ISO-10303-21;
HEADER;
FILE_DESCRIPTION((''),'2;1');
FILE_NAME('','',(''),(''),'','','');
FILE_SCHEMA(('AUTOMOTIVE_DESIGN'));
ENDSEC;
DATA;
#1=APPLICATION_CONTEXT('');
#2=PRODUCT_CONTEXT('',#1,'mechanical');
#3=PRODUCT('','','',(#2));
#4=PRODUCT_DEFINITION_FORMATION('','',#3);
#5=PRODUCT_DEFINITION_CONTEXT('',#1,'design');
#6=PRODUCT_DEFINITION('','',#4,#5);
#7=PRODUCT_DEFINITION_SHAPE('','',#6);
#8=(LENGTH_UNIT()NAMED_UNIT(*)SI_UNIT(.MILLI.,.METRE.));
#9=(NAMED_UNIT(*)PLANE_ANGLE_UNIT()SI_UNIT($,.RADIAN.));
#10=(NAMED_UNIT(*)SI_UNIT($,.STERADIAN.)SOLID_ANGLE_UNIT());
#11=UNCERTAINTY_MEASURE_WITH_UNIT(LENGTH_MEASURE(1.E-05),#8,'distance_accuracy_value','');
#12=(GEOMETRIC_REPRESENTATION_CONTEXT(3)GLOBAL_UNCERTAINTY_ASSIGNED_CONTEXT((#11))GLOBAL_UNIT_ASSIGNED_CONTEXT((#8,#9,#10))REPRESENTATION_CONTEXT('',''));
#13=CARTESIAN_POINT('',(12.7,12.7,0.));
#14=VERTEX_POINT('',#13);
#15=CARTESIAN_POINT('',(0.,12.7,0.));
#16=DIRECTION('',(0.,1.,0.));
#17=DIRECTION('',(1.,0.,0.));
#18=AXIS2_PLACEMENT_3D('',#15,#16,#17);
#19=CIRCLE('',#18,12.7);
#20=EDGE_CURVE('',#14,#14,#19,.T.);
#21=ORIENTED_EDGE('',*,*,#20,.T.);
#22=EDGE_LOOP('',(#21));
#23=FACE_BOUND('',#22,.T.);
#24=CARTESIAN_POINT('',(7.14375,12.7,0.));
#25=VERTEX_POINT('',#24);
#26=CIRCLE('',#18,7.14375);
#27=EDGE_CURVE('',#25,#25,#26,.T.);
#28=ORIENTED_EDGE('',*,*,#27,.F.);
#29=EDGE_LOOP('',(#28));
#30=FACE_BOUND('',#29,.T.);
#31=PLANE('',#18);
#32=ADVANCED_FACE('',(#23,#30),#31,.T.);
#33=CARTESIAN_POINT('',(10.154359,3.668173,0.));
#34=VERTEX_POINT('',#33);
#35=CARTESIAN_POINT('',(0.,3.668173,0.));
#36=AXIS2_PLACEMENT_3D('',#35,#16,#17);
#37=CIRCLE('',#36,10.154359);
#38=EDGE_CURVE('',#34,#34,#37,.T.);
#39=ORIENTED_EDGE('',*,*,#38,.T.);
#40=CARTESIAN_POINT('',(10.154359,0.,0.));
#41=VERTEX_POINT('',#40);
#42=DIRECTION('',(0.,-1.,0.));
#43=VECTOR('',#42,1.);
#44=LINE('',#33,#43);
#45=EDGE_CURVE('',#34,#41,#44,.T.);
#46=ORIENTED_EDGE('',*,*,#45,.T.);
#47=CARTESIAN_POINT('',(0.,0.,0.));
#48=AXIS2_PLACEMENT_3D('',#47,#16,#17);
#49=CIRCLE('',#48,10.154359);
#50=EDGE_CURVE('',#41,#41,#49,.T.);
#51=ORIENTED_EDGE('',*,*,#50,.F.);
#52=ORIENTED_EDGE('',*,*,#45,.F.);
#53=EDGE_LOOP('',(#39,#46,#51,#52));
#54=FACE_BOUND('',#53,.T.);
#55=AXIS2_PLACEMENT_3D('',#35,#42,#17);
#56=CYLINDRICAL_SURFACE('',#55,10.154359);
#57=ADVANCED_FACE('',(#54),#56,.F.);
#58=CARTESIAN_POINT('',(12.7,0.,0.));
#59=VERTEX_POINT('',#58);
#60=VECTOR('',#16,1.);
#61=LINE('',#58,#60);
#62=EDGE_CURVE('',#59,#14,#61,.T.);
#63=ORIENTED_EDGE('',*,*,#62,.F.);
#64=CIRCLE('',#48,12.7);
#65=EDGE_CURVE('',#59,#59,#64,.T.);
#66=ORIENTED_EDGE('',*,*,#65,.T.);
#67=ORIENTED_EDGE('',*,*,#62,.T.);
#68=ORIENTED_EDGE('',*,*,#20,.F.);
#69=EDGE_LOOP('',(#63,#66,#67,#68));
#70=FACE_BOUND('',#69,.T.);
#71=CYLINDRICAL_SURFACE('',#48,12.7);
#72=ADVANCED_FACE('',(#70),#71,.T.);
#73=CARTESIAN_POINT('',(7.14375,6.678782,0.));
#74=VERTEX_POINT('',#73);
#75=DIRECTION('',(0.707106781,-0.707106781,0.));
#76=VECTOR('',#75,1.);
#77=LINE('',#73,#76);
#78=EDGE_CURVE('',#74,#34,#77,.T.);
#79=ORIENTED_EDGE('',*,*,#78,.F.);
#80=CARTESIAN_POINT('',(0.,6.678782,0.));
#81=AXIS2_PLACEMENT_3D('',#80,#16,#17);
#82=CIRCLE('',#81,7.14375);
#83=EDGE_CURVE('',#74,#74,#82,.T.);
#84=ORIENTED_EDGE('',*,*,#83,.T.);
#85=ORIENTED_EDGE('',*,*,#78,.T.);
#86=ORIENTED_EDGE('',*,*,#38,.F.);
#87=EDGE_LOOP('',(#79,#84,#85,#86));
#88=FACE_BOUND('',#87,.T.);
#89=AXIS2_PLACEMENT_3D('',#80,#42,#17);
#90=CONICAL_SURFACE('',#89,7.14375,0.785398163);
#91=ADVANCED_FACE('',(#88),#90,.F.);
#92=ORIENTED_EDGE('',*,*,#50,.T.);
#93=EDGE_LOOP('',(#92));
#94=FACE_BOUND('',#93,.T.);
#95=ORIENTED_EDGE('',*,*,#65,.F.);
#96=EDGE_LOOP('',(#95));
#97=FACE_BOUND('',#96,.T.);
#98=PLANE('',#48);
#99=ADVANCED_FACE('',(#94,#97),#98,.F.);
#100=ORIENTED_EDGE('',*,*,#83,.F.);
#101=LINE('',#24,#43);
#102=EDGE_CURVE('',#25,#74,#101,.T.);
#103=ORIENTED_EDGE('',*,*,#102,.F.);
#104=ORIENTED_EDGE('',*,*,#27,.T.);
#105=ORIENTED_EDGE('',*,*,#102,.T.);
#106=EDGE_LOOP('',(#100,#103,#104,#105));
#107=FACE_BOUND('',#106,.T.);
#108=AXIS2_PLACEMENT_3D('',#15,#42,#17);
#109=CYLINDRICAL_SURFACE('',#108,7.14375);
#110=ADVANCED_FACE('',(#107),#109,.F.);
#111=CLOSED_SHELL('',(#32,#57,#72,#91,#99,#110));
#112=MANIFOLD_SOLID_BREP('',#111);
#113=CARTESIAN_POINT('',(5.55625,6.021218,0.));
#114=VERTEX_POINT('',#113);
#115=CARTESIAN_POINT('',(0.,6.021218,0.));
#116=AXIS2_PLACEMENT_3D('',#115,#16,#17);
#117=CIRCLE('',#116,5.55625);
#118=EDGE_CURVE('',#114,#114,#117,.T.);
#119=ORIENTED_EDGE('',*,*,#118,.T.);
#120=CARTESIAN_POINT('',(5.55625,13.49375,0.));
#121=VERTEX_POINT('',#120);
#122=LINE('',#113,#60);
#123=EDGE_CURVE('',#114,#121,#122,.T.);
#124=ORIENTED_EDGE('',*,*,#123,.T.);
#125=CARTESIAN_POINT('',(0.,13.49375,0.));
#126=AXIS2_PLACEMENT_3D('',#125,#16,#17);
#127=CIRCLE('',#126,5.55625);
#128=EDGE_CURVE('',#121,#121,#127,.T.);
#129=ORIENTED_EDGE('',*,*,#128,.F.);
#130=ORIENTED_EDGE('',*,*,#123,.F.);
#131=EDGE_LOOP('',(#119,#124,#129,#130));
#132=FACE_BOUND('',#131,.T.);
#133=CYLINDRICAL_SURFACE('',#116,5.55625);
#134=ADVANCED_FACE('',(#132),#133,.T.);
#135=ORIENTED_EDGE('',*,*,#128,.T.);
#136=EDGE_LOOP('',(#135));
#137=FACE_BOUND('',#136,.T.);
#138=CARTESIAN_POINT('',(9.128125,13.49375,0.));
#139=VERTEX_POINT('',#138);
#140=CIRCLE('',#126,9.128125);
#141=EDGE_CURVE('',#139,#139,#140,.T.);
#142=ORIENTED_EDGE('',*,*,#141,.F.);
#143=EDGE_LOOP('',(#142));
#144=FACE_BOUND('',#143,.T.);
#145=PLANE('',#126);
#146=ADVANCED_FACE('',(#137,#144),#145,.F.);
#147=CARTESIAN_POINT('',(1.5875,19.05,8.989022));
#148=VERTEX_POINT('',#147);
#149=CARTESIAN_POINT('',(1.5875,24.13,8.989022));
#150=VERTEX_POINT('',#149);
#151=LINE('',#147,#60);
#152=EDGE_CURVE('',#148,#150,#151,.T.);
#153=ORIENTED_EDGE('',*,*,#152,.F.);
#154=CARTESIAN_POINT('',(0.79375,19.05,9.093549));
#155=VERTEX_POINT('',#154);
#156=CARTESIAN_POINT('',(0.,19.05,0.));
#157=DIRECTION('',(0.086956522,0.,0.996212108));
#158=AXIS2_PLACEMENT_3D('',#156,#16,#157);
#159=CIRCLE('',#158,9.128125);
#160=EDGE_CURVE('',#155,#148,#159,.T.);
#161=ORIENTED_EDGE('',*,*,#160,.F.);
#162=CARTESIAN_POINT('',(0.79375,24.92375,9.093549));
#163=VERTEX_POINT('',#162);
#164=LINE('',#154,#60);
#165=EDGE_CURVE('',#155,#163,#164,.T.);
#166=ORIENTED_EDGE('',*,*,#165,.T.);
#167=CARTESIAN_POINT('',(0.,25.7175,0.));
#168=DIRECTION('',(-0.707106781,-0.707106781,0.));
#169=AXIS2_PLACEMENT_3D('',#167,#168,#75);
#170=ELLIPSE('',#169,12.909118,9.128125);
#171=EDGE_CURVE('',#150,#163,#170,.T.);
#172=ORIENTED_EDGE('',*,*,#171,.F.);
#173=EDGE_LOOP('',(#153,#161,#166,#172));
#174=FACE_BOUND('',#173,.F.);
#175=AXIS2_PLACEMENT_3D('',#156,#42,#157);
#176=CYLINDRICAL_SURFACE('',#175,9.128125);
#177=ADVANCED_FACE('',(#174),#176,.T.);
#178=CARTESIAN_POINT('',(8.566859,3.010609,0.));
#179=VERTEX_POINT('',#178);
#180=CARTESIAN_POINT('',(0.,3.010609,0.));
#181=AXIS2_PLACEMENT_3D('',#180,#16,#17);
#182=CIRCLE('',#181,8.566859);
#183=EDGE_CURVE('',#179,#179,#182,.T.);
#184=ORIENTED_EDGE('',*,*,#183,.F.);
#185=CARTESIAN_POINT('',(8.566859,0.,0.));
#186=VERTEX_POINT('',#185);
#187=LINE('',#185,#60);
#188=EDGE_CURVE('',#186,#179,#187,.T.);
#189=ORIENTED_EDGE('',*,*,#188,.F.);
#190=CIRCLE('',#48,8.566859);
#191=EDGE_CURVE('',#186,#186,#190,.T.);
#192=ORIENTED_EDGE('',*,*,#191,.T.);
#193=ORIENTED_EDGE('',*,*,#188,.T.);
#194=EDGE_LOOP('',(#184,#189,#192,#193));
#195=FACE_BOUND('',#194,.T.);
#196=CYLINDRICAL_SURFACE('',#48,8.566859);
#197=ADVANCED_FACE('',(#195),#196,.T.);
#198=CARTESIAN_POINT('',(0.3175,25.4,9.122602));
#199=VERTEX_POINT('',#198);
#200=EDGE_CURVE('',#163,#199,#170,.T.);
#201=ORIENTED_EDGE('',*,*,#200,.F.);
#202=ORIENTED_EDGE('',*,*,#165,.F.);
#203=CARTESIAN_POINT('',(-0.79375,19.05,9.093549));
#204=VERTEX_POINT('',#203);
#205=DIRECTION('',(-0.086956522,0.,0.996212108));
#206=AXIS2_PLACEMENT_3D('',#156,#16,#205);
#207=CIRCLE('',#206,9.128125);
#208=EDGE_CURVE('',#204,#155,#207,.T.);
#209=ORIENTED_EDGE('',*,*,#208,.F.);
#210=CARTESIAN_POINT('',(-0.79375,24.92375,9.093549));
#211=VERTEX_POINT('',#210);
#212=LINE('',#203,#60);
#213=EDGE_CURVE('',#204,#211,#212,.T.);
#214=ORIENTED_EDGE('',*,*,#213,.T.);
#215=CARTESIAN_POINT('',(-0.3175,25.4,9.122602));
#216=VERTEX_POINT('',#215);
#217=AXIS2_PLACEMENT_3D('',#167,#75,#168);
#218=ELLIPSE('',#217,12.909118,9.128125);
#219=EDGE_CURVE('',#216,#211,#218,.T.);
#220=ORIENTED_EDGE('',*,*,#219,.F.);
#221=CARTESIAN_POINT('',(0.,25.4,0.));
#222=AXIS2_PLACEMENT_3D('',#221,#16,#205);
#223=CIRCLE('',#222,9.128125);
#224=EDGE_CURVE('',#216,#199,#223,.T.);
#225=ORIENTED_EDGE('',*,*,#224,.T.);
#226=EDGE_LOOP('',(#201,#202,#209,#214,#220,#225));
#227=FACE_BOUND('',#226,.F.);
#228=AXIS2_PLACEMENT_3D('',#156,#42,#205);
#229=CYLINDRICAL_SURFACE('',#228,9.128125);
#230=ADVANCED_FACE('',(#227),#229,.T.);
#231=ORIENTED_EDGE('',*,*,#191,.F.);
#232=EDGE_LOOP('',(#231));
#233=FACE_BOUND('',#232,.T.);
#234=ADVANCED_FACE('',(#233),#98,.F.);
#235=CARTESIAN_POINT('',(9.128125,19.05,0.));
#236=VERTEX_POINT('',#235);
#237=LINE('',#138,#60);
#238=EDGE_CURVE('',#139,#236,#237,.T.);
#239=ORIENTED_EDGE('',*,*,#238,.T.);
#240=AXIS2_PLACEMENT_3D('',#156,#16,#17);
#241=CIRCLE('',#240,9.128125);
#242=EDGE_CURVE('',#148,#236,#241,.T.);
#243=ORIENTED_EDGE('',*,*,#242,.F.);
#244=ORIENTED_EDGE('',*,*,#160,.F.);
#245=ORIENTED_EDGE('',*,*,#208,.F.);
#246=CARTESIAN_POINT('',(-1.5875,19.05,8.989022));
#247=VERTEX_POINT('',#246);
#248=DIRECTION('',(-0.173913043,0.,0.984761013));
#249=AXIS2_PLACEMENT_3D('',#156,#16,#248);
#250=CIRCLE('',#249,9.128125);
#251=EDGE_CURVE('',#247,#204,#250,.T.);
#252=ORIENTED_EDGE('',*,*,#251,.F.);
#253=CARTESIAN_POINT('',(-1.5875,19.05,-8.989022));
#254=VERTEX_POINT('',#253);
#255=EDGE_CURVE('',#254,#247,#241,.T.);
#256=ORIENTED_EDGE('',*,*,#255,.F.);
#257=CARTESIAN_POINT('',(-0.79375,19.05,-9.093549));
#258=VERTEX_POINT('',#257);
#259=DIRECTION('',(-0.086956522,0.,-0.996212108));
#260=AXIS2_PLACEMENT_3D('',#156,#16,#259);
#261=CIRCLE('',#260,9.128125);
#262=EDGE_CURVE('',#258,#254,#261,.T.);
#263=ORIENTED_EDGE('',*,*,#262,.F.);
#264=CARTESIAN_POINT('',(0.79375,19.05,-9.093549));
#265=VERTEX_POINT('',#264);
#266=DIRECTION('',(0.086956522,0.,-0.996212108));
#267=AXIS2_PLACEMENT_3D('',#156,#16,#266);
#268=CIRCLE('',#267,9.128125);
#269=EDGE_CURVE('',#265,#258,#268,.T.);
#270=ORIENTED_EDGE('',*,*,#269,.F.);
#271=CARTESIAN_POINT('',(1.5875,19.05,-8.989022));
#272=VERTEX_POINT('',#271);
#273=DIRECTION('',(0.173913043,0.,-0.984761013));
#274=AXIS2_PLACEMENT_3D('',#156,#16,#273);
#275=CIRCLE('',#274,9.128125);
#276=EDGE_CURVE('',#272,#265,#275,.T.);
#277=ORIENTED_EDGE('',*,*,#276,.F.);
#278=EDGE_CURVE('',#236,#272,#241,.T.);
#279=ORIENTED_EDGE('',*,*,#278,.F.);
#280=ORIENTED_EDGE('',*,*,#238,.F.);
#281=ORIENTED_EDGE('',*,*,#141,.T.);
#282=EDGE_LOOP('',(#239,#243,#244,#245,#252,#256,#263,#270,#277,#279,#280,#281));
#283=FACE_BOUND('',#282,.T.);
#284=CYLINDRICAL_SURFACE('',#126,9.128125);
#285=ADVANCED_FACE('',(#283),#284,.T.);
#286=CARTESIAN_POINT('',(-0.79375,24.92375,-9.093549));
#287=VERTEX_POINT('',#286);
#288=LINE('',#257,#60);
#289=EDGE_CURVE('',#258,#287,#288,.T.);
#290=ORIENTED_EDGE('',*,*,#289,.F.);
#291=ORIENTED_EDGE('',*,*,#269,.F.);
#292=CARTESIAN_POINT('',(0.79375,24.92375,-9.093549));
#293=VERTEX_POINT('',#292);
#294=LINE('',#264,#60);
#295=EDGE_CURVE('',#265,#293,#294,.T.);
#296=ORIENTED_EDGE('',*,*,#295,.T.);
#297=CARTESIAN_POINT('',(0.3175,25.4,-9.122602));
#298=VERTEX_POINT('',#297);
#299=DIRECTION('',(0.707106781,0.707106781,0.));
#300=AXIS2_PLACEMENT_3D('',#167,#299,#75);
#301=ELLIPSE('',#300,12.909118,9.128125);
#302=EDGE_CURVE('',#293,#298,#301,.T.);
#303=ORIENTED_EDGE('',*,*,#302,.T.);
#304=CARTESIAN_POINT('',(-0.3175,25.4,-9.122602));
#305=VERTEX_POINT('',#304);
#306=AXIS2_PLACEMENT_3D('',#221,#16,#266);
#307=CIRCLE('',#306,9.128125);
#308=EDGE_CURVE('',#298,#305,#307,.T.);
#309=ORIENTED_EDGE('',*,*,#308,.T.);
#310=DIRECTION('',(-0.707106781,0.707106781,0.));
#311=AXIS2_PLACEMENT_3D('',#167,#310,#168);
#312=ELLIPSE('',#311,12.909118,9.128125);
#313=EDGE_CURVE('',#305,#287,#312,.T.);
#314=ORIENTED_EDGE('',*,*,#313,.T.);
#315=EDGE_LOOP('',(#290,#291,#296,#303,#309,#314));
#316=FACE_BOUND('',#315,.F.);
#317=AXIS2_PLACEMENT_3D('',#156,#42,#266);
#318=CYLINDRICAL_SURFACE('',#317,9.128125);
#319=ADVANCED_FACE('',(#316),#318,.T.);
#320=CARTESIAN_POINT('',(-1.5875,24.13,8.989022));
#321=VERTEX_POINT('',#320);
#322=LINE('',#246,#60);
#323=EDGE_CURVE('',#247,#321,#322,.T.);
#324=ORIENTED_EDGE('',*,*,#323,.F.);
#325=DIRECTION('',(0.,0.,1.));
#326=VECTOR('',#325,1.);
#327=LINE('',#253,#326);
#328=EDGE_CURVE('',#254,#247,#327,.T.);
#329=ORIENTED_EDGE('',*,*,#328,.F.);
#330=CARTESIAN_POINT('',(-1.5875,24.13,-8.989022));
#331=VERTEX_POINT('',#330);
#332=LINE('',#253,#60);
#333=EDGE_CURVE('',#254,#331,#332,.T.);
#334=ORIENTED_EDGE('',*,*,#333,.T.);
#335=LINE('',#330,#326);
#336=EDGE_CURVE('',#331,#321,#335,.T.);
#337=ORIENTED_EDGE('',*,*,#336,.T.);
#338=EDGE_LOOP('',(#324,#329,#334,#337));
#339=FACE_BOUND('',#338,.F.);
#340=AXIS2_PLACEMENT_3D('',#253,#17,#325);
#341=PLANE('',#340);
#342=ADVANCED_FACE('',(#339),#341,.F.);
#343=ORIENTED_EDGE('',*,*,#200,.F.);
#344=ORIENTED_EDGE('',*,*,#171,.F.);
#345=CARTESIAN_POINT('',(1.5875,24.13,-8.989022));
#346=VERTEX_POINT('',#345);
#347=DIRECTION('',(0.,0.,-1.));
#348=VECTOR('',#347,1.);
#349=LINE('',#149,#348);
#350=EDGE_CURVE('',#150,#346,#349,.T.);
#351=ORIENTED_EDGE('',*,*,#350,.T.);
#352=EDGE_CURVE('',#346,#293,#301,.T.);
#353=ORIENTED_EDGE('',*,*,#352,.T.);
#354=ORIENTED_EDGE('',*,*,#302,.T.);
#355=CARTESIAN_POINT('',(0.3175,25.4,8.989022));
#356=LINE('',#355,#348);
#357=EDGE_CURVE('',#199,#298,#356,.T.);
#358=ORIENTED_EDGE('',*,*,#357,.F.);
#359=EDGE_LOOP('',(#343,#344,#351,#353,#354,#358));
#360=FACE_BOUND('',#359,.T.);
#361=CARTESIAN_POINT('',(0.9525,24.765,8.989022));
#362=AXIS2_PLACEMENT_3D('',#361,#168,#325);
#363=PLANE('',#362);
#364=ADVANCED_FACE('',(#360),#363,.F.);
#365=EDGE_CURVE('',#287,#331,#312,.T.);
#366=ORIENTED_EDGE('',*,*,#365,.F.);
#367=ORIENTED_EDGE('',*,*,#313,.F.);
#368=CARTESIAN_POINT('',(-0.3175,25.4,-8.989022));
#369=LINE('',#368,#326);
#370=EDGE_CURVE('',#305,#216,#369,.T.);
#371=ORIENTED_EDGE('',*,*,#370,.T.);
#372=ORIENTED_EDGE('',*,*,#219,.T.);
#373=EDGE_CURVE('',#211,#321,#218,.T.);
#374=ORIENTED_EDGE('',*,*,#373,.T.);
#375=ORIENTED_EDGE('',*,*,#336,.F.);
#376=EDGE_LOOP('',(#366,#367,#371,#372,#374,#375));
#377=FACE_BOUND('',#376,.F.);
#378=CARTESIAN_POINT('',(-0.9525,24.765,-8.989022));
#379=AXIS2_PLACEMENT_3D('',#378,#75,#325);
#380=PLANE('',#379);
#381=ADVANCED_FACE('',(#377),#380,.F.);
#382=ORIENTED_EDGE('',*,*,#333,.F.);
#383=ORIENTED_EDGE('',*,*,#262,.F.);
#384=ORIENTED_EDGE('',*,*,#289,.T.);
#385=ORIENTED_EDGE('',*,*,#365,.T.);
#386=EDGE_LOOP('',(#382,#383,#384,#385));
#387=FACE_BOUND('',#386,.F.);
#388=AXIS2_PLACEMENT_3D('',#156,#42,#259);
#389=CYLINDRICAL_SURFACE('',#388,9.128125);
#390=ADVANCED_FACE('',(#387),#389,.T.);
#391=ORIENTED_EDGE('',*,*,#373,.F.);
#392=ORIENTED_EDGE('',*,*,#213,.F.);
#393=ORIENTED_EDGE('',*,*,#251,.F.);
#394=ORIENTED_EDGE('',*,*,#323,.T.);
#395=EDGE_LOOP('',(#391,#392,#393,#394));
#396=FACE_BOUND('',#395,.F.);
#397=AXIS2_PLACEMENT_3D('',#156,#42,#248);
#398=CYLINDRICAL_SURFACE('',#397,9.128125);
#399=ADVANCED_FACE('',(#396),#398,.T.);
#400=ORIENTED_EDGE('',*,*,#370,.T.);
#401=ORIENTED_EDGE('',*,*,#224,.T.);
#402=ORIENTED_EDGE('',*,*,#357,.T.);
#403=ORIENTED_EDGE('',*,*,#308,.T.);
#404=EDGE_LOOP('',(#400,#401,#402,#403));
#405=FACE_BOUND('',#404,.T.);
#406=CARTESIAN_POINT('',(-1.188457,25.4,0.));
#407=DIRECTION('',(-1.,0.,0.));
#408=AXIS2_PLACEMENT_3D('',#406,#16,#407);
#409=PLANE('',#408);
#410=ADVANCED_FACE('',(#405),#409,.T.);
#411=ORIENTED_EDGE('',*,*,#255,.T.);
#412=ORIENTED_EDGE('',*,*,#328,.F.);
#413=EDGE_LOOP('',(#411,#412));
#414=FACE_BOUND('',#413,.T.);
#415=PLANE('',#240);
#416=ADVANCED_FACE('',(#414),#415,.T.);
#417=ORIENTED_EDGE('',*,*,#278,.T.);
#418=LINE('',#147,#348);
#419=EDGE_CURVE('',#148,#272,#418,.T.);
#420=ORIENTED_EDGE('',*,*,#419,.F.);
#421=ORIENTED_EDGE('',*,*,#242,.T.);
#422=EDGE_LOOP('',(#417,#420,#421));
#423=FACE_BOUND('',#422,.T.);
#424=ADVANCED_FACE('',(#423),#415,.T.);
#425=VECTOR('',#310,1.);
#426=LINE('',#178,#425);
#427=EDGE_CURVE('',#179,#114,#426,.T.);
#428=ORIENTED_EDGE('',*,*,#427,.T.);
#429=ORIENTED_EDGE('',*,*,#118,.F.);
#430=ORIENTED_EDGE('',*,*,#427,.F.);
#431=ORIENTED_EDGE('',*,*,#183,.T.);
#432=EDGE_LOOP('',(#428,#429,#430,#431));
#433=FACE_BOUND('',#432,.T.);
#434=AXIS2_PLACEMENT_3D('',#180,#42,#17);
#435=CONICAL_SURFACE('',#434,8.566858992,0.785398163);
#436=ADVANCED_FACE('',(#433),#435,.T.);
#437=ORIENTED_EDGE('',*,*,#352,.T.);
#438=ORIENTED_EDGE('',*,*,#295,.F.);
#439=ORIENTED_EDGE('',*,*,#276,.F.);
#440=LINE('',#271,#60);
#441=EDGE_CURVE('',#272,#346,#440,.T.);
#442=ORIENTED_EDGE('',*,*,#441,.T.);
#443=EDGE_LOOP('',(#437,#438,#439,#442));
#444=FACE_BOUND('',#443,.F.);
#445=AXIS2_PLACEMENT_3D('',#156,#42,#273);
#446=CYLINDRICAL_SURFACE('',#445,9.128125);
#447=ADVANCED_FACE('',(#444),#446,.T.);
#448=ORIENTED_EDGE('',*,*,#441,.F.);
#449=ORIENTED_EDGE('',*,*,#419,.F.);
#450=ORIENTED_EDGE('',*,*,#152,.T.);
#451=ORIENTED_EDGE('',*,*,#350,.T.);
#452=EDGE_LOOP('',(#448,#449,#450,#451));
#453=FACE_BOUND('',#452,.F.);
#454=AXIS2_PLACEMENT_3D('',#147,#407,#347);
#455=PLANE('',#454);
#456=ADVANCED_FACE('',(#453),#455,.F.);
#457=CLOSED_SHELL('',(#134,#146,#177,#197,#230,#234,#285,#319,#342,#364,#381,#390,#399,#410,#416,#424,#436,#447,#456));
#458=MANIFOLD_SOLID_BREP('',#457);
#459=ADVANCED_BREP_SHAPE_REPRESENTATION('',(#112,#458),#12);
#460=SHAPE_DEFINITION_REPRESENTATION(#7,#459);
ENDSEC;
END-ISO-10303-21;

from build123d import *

# Parameters (mm, degrees)
F3_DEPTH = 6.35
F4_SIZE  = 1.27


with BuildPart() as f1:
    # F0 (on Top) → F1 (revolve)
    with BuildSketch(Plane.XY):
        Polygon((10.1543589924, 3.6681730227), (10.1543589924, 0), (12.7, 0), (12.7, 12.7), (7.14375, 12.7), (7.14375, 6.6787820151), align=None)
    revolve(axis=Axis((0, 6.35, 0), (0, 1, 0)))


with BuildPart() as f1b:
    # F0 (on Top) → F1, piece 2 (revolve)
    with BuildSketch(Plane.XY):
        Polygon((0, 12.7), (0, 0), (8.5668589924, 0), (8.5668589924, 3.0106089924), (5.55625, 6.0212179849), (5.55625, 12.7), align=None)
        Polygon((0, 19.0500002354), (0, 12.7), (5.55625, 12.7), (5.55625, 13.49375), (7.14375, 13.49375), (9.128125, 13.49375), (9.128125, 19.0500002354), align=None)
    revolve(axis=Axis((0, 6.35, 0), (0, 1, 0)))

    # F2 (on face) → F3 (join)
    with BuildSketch(Plane(origin=(0, 19.0500002354, 0), x_dir=(-1, 0, 0), z_dir=(0, 1, 0))):
        with BuildLine():
            ThreePointArc((1.5875, 8.9890216245), (1.1917715239, 9.0499915276), (0.79375, 9.0935486447))
            Line((0.79375, 9.0935486447), (0.79375, -9.0935486447))
            ThreePointArc((0.79375, -9.0935486447), (1.1917715239, -9.0499915276), (1.5875, -8.9890216245))
            Line((1.5875, -8.9890216245), (1.5875, 8.9890216245))
        make_face()
        with BuildLine():
            Line((-0.79375, -9.0935486447), (-0.79375, 9.0935486447))
            ThreePointArc((-0.79375, 9.0935486447), (-1.1917715239, 9.0499915276), (-1.5875, 8.9890216245))
            Line((-1.5875, 8.9890216245), (-1.5875, -8.9890216245))
            ThreePointArc((-1.5875, -8.9890216245), (-1.1917715239, -9.0499915276), (-0.79375, -9.0935486447))
        make_face()
        with BuildLine():
            ThreePointArc((0.79375, 9.0935486447), (0, 9.128125), (-0.79375, 9.0935486447))
            Line((-0.79375, 9.0935486447), (-0.79375, -9.0935486447))
            ThreePointArc((-0.79375, -9.0935486447), (0, -9.128125), (0.79375, -9.0935486447))
            Line((0.79375, -9.0935486447), (0.79375, 9.0935486447))
        make_face()
    extrude(amount=F3_DEPTH)

    # F4
    f4_edges = [f1b.edges().sort_by_distance(p)[0] for p in [
        (-1.5875, 25.4, 0),
        (1.5875, 25.4, 0),
    ]]
    chamfer(f4_edges, length=F4_SIZE)


solid = Compound([f1.part, f1b.part])
